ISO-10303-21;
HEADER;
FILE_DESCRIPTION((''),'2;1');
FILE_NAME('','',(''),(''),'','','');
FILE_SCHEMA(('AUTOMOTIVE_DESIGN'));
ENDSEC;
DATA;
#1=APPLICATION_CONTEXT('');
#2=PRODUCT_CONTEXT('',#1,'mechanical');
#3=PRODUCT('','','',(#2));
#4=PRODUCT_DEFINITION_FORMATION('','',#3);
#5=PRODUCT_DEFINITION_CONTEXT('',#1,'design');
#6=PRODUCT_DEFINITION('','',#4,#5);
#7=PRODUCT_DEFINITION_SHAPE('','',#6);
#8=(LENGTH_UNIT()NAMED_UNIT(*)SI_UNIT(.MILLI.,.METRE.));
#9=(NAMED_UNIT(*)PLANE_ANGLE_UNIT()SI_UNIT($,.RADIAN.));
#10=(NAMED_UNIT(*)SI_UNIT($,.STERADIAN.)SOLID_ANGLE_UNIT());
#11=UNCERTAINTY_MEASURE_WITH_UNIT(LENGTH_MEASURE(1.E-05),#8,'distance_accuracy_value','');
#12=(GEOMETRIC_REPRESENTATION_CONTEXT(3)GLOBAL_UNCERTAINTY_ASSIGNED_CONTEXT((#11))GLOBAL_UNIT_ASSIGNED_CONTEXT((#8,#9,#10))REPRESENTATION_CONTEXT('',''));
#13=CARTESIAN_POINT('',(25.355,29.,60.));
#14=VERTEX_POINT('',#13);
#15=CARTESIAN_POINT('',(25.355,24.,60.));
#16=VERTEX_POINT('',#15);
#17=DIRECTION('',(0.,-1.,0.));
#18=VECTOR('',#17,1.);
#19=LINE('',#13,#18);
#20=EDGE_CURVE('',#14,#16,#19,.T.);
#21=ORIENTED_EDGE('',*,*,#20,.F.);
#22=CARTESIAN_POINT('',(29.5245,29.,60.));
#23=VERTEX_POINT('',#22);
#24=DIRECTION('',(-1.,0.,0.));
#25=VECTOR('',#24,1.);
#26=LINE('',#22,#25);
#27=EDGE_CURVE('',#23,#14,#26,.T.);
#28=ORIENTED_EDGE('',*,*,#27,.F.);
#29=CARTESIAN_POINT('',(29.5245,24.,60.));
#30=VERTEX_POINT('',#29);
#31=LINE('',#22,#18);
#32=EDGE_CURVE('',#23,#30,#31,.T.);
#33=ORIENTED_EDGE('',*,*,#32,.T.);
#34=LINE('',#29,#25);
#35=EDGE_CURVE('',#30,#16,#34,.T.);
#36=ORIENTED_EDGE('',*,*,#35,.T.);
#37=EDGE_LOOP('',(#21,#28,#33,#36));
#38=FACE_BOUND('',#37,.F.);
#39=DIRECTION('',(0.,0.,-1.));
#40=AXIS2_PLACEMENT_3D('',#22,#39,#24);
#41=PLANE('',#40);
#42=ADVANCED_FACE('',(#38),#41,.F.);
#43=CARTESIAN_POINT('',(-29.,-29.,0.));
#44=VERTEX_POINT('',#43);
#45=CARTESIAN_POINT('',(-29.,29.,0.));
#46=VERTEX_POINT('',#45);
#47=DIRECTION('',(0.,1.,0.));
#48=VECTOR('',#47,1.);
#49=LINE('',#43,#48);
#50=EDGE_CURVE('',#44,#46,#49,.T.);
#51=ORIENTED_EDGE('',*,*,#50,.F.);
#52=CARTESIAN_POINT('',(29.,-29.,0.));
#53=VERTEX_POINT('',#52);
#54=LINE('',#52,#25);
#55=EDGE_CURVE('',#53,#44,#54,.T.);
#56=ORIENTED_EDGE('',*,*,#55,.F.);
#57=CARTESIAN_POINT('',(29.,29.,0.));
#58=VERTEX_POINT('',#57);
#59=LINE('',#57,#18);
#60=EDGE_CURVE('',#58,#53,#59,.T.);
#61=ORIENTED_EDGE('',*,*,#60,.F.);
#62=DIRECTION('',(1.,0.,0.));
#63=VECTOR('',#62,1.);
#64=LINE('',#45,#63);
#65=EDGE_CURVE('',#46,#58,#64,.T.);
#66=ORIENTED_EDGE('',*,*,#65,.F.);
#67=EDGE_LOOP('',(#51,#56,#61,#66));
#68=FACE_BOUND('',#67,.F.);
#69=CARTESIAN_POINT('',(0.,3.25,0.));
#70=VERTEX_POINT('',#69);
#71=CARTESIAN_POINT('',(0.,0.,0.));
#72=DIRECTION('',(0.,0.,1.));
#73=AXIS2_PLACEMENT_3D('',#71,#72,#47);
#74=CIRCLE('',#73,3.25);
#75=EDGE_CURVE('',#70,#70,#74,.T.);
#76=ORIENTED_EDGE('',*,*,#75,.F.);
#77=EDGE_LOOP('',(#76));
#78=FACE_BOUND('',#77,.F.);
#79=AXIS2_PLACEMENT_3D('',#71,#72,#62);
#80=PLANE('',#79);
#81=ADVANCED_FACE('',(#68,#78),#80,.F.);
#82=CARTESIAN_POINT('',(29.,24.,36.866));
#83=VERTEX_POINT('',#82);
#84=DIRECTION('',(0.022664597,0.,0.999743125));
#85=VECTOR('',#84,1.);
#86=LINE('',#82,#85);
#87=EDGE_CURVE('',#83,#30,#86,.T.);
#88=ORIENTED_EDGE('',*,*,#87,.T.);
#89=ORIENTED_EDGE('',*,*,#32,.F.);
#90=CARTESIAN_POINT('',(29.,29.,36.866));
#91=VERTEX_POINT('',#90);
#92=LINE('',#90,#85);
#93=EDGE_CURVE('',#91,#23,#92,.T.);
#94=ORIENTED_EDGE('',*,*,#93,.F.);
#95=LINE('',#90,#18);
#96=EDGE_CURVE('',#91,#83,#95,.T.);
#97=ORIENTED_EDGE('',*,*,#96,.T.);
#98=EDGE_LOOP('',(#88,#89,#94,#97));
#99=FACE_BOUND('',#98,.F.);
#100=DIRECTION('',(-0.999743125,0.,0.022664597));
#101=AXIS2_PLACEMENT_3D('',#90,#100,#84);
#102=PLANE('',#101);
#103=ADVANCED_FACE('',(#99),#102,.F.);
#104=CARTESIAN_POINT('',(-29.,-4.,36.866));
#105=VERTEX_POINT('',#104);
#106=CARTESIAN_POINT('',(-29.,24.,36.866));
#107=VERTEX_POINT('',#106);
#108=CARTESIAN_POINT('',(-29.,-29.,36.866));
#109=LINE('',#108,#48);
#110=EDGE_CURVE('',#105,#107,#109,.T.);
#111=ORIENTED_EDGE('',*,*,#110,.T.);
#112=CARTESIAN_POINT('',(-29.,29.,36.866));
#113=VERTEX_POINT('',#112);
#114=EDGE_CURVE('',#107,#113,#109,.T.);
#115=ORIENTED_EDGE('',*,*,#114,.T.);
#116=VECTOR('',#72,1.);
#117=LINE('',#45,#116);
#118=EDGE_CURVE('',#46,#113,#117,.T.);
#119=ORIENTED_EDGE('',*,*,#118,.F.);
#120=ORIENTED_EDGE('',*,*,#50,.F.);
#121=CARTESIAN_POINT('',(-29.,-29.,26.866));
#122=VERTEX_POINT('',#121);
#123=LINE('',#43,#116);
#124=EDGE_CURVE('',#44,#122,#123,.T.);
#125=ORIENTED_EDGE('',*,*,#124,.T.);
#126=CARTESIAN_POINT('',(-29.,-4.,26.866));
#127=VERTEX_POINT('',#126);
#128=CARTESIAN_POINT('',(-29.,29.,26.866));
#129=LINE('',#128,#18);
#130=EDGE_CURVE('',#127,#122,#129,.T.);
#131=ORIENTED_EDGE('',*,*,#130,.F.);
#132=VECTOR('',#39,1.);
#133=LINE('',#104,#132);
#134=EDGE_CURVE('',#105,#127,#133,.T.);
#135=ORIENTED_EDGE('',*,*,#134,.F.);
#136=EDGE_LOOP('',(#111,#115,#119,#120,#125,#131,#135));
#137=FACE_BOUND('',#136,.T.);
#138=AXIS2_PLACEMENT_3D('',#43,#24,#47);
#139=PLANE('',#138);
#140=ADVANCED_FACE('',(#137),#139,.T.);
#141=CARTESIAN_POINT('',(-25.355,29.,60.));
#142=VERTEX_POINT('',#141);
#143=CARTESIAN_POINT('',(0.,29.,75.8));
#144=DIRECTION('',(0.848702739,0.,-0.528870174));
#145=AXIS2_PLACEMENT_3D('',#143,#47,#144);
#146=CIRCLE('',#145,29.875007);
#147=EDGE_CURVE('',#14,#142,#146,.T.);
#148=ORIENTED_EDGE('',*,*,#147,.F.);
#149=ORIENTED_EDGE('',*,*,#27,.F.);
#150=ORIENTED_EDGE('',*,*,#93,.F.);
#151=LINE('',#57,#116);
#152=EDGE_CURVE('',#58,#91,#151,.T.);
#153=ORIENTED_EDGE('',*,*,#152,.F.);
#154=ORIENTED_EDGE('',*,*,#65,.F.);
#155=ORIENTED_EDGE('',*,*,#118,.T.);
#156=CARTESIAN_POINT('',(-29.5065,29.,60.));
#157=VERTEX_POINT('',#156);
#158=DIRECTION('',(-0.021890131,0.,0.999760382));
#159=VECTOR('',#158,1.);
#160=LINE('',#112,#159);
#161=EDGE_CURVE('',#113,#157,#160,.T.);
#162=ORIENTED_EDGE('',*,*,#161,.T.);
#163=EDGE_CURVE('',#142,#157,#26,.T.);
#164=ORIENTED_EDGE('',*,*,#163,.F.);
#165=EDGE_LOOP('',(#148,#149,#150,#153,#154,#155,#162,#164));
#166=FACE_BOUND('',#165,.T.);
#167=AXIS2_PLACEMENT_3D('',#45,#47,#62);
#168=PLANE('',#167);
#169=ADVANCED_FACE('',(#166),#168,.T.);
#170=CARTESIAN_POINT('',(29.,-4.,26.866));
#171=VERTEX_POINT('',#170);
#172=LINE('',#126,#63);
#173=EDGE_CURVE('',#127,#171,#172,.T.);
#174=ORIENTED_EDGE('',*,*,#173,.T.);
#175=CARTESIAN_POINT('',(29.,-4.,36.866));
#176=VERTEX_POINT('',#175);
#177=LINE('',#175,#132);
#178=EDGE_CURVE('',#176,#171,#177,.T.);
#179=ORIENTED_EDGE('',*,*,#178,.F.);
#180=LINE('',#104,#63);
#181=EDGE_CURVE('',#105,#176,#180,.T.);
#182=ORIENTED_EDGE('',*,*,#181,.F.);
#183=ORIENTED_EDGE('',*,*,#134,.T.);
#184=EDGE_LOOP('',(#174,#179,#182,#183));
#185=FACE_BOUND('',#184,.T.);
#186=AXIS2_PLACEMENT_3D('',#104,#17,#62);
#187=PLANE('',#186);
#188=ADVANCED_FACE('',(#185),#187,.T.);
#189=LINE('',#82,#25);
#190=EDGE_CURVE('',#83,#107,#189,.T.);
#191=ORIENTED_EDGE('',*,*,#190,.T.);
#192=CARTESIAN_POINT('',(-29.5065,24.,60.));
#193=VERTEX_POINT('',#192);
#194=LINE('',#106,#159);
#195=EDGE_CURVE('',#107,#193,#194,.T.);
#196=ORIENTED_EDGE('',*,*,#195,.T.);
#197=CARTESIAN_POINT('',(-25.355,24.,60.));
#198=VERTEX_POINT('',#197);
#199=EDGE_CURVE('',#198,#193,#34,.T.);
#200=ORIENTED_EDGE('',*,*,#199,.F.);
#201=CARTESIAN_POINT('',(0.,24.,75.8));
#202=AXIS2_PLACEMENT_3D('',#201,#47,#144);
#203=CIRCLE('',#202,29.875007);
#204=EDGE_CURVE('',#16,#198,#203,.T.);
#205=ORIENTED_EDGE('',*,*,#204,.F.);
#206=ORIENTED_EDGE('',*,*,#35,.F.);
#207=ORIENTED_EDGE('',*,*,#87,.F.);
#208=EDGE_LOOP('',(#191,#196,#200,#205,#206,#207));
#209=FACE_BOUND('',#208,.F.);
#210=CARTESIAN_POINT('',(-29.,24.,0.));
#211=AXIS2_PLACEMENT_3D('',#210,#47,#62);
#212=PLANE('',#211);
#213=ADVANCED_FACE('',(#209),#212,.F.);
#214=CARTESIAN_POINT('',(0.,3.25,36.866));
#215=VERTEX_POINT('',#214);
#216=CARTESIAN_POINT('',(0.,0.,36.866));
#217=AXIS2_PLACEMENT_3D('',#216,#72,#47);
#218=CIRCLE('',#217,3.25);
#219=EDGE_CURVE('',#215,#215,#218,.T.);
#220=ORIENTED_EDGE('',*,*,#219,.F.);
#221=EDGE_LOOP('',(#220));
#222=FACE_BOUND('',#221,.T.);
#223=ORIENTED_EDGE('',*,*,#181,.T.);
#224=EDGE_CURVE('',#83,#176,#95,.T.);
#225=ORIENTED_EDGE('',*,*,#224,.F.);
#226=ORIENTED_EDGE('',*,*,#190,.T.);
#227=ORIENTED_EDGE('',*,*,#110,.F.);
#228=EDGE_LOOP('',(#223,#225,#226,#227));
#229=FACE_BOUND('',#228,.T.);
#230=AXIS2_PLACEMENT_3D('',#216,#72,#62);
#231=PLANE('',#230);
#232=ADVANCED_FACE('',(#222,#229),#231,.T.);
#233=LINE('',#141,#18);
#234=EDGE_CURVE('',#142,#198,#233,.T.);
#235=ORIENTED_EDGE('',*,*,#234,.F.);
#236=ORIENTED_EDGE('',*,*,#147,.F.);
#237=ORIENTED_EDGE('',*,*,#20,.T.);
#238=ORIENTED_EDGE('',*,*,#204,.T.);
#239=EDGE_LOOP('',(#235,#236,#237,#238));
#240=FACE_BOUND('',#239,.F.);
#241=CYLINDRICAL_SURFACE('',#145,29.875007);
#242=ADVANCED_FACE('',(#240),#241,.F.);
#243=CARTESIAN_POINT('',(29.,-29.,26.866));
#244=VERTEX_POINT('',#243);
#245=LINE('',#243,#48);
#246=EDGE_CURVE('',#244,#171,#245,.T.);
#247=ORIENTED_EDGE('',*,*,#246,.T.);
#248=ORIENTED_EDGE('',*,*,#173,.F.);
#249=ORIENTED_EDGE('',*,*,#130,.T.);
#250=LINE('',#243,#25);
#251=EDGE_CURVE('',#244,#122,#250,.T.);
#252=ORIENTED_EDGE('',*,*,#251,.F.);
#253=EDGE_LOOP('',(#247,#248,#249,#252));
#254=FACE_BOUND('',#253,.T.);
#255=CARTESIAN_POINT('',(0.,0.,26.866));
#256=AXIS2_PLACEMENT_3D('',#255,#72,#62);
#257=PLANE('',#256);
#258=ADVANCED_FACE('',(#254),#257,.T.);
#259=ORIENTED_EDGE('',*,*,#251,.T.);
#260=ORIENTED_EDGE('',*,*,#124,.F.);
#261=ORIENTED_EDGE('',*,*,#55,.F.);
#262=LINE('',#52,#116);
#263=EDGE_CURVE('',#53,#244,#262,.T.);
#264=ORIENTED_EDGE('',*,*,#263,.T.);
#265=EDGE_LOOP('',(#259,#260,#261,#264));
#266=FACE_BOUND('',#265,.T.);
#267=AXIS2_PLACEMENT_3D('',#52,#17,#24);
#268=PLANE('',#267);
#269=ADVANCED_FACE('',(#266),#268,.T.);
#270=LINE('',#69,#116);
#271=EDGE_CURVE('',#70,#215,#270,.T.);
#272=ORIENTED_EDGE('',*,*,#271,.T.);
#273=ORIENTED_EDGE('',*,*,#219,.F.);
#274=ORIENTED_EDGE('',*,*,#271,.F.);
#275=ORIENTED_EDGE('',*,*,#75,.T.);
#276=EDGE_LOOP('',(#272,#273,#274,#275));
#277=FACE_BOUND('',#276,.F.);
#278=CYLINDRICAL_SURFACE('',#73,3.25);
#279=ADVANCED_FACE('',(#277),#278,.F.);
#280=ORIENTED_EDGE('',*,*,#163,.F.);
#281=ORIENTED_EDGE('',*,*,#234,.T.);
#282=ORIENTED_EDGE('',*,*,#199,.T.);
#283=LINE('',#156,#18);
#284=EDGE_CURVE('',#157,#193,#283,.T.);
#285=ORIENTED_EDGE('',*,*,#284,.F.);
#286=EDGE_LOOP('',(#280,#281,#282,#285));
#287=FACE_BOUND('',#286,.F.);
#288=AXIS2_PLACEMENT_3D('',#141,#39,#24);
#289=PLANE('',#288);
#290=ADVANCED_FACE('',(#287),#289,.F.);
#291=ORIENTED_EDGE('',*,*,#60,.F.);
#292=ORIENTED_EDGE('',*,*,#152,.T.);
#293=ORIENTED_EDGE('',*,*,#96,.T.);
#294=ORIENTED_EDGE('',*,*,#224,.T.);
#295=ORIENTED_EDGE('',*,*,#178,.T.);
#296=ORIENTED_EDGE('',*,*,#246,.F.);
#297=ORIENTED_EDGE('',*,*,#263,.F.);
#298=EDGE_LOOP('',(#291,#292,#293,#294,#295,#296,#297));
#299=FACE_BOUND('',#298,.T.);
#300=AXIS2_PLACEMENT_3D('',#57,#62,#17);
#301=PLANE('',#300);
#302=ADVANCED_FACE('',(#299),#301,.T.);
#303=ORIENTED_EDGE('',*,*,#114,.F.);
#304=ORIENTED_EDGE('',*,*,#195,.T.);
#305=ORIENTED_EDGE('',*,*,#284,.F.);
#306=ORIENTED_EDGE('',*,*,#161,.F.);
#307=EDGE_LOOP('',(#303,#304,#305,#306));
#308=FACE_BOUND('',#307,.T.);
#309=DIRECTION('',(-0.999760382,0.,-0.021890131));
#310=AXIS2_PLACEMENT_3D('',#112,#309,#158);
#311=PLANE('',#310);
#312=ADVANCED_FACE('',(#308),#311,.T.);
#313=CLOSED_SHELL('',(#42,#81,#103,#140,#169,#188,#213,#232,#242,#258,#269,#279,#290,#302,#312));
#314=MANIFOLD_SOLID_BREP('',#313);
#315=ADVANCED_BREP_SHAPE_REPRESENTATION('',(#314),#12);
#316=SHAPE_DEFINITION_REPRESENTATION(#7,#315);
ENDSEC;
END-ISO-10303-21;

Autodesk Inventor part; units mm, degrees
ref_plane "YZ Plane" through (0, 0, 0) normal (1, 0, 0) x (0, 1, 0)
ref_plane "XZ Plane" through (0, 0, 0) normal (0, 1, 0) x (-1, 0, 0)
ref_plane "XY Plane" through (0, 0, 0) normal (0, 0, 1) x (1, 0, 0)
sketch "Sketch1" plane through (0, 0, 0) normal (0, 0, 1) x (1, 0, 0)
  line L0 (29, -29) -> (-29, -29)
  line L1 (-29, -29) -> (-29, 29)
  line L2 (-29, 29) -> (29, 29)
  line L3 (29, 29) -> (29, -29)
  line L4 (29, -29) -> (-29, 29) construction
  line L5 (-29, -29) -> (29, 29) construction
  point P0 (0, 0)
  point P1 (0, 0)
  dimension "d0" = 58
  dimension "d1" = 58
extrude "Extrusion1" add sketch "Sketch1" along normal blind 36.866
sketch "Sketch2" plane through (0, 0, 36.866) normal (0, 0, 1) x (1, 0, 0)
  line L0 (-29, 29) -> (-29, -29) projected
  line L1 (29, -29) -> (29, 29) projected
  line L2 (-29, -4) -> (29, -4)
  line L3 (29, -4) -> (29, -29)
  line L4 (29, -29) -> (-29, -29)
  line L5 (-29, -29) -> (-29, -4)
  point P0 (0, 0)
extrude "Extrusion2" cut sketch "Sketch2" against normal blind 10
hole "Hole1" at (0, 0, 0) direction (0, 0, 1) diameter 6.5 end through all
sketch "Sketch3" plane through (-29, 29, 0) normal (0, 1, 0) x (1, 0, 0)
  line L0 (0, 0) -> (58, 0) projected
  line L1 (0, 0) -> (0, -36.866) projected
  line L2 (58, -36.866) -> (0, -36.866) projected
  line L3 (58, 0) -> (58, -36.866) projected
  arc A0 (3.645, -60) -> (54.355, -60) centre (29, -75.8) ccw
  line L4 (58, -36.866) -> (58, -26.866) projected
  line L5 (58, -36.866) -> (58.8673, -75.1229)
  line L6 (0, -26.866) -> (0, -36.866) projected
  line L7 (0, -36.866) -> (-0.8673, -76.4771)
  line L8 (58.5245, -60) -> (-0.5065, -60)
  arc A1 (54.355, -60) -> (3.645, -60) centre (29, -75.8) ccw
  point P0 (29, 0)
  dimension "d13" = 59.75
extrude "Extrusion3" add sketch "Sketch3" against normal blind 5 contours L2 L5 L8 A1 L7
properties part number "Iris15-mount"
